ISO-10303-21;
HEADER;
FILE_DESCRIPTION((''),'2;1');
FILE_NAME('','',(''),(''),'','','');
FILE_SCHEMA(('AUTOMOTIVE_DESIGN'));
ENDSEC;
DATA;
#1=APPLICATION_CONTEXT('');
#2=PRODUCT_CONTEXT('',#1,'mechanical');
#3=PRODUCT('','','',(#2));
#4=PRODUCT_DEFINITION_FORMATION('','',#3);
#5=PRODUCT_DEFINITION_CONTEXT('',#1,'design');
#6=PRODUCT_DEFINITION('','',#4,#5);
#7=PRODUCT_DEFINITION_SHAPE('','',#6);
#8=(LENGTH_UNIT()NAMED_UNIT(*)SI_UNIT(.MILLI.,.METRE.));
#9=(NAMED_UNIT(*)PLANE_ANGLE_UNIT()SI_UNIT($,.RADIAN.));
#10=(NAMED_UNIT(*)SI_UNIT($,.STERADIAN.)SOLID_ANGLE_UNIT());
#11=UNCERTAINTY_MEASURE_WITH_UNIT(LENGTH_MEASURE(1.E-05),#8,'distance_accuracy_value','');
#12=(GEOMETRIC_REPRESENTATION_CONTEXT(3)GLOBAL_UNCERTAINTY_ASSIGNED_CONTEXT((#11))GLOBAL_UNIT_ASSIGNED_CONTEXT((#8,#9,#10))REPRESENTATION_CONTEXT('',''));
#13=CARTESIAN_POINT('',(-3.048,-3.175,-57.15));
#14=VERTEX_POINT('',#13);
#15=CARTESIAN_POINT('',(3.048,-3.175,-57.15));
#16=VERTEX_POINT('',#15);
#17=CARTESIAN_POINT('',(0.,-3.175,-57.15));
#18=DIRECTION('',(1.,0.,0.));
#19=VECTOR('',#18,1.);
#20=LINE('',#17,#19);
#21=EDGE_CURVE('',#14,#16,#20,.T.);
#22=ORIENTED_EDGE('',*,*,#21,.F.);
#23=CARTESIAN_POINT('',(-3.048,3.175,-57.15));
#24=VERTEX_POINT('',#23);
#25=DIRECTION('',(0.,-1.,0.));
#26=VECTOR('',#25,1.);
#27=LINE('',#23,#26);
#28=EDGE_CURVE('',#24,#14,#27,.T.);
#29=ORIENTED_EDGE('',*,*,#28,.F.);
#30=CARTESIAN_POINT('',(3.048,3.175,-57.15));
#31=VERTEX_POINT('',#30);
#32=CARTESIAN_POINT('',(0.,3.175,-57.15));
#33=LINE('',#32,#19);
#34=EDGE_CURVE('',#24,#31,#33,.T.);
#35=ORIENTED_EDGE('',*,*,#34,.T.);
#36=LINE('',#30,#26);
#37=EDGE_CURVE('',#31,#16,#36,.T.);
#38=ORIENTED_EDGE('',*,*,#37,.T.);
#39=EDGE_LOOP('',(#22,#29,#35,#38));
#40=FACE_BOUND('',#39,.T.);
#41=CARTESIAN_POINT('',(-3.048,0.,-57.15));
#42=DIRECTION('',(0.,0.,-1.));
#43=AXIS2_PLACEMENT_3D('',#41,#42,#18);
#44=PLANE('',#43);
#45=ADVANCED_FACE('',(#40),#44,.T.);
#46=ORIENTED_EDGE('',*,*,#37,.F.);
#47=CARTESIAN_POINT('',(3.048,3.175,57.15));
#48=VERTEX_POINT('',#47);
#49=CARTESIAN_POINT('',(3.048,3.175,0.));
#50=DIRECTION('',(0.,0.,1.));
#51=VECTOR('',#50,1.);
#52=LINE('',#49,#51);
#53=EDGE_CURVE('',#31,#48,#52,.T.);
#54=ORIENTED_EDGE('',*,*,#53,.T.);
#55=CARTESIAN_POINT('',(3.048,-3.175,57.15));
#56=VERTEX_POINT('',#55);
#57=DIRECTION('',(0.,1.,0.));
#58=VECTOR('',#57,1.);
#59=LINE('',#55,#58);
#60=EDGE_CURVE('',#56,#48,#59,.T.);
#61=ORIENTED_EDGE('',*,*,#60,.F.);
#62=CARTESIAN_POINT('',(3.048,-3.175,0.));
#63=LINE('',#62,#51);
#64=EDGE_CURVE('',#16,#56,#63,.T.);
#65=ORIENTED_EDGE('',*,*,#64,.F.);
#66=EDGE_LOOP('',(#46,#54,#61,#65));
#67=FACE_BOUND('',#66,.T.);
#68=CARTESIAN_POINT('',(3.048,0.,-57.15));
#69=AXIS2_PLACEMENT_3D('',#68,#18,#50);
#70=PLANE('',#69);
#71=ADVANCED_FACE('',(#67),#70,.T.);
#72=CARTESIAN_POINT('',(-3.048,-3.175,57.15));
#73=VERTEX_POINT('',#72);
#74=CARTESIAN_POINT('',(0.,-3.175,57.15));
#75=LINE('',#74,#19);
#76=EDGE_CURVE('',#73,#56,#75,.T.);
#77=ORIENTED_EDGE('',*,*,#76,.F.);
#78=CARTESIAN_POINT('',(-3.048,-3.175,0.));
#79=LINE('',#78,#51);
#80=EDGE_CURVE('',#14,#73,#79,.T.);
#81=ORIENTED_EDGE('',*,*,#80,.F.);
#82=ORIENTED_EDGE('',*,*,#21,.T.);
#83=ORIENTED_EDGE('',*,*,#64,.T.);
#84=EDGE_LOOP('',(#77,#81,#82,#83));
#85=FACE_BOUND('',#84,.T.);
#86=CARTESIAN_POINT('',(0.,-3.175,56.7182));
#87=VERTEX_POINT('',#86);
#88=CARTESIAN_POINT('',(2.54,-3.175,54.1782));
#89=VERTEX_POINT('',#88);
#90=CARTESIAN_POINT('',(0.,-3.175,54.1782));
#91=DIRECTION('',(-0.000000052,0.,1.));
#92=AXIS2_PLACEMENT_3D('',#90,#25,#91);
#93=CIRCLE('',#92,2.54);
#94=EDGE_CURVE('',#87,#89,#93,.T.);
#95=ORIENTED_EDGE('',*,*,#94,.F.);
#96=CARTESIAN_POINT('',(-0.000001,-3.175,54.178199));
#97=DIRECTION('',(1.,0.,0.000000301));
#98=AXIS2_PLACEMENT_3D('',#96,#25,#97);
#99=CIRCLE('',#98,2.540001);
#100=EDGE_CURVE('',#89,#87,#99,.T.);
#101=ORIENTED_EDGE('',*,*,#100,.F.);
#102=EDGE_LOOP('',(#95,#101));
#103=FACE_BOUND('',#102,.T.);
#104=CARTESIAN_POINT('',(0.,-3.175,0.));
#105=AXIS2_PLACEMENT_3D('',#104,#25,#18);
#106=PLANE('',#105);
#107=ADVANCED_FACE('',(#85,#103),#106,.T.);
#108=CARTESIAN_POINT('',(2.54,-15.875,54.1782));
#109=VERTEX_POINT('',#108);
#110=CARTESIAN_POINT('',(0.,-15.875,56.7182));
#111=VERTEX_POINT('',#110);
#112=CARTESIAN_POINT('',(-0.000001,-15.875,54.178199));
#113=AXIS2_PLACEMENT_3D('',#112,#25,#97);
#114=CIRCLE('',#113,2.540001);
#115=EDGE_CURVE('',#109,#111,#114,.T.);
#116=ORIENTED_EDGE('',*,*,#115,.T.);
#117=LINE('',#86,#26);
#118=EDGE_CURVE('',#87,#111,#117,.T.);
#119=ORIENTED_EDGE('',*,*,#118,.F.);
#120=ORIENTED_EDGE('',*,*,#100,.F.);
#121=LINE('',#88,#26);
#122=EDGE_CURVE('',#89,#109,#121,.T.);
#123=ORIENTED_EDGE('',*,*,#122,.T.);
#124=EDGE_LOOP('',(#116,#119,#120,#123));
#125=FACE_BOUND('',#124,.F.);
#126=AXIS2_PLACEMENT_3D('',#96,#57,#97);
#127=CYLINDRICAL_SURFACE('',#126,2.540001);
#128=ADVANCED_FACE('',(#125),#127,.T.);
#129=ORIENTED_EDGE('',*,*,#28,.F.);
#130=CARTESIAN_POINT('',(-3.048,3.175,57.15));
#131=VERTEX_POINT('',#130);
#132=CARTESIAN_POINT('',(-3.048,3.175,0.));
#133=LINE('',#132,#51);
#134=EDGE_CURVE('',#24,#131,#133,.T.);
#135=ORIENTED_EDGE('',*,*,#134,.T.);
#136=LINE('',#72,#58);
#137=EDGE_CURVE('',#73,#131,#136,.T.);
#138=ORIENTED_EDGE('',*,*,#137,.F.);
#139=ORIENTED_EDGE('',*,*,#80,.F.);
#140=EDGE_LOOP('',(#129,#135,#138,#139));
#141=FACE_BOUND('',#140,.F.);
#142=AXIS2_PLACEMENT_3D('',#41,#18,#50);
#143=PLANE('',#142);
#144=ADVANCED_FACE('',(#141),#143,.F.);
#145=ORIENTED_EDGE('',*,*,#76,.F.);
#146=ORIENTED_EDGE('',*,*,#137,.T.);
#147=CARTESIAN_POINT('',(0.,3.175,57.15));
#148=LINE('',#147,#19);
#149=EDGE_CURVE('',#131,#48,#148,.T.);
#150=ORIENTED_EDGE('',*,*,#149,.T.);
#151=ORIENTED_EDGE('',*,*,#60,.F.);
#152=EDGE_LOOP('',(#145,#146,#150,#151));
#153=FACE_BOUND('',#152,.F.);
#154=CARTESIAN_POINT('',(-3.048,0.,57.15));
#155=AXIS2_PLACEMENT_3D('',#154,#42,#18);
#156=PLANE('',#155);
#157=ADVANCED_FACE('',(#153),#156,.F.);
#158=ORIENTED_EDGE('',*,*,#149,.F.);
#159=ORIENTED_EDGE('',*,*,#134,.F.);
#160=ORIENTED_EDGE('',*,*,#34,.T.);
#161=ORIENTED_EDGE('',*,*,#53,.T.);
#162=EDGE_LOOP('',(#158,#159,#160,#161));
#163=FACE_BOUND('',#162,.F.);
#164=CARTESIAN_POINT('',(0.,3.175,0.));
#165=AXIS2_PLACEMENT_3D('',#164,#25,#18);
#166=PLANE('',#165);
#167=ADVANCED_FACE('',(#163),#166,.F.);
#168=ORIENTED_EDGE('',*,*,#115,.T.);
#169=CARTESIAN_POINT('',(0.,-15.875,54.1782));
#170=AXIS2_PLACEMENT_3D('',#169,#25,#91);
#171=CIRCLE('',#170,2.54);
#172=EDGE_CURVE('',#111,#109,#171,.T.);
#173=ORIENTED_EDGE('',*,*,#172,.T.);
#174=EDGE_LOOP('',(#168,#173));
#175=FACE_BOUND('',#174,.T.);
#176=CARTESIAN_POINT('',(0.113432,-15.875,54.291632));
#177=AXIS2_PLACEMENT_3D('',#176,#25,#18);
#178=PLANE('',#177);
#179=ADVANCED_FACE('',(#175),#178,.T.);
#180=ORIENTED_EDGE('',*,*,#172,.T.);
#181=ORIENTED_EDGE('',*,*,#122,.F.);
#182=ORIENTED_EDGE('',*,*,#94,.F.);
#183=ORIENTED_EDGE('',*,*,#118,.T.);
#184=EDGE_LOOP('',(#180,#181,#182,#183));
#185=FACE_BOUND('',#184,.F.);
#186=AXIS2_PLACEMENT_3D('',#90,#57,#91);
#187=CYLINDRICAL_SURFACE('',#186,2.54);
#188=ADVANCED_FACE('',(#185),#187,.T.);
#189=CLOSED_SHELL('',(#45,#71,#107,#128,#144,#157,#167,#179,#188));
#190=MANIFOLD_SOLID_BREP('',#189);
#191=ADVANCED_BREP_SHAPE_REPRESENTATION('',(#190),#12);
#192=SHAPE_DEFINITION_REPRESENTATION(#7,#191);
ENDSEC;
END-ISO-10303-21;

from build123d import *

# Parameters (mm, degrees)
F0_W     = 6.096
F0_H     = 114.3
F1_DEPTH = 3.175
F3_DEPTH = 12.7


with BuildPart() as f1:
    # F0 (on Front) → F1 (new body, symmetric)
    with BuildSketch(Plane.XZ):
        Rectangle(F0_W, F0_H)
    extrude(amount=F1_DEPTH, both=True)

    # F2 (on face) → F3 (join)
    with BuildSketch(Plane.XZ.offset(3.175)):
        with BuildLine():
            ThreePointArc((0, 56.7182), (-1.796051, 52.382149), (2.54, 54.1782))
            ThreePointArc((2.54, 54.1782), (1.796051, 55.974251), (0, 56.7182))
        make_face()
    extrude(amount=F3_DEPTH)


solid = f1.part
